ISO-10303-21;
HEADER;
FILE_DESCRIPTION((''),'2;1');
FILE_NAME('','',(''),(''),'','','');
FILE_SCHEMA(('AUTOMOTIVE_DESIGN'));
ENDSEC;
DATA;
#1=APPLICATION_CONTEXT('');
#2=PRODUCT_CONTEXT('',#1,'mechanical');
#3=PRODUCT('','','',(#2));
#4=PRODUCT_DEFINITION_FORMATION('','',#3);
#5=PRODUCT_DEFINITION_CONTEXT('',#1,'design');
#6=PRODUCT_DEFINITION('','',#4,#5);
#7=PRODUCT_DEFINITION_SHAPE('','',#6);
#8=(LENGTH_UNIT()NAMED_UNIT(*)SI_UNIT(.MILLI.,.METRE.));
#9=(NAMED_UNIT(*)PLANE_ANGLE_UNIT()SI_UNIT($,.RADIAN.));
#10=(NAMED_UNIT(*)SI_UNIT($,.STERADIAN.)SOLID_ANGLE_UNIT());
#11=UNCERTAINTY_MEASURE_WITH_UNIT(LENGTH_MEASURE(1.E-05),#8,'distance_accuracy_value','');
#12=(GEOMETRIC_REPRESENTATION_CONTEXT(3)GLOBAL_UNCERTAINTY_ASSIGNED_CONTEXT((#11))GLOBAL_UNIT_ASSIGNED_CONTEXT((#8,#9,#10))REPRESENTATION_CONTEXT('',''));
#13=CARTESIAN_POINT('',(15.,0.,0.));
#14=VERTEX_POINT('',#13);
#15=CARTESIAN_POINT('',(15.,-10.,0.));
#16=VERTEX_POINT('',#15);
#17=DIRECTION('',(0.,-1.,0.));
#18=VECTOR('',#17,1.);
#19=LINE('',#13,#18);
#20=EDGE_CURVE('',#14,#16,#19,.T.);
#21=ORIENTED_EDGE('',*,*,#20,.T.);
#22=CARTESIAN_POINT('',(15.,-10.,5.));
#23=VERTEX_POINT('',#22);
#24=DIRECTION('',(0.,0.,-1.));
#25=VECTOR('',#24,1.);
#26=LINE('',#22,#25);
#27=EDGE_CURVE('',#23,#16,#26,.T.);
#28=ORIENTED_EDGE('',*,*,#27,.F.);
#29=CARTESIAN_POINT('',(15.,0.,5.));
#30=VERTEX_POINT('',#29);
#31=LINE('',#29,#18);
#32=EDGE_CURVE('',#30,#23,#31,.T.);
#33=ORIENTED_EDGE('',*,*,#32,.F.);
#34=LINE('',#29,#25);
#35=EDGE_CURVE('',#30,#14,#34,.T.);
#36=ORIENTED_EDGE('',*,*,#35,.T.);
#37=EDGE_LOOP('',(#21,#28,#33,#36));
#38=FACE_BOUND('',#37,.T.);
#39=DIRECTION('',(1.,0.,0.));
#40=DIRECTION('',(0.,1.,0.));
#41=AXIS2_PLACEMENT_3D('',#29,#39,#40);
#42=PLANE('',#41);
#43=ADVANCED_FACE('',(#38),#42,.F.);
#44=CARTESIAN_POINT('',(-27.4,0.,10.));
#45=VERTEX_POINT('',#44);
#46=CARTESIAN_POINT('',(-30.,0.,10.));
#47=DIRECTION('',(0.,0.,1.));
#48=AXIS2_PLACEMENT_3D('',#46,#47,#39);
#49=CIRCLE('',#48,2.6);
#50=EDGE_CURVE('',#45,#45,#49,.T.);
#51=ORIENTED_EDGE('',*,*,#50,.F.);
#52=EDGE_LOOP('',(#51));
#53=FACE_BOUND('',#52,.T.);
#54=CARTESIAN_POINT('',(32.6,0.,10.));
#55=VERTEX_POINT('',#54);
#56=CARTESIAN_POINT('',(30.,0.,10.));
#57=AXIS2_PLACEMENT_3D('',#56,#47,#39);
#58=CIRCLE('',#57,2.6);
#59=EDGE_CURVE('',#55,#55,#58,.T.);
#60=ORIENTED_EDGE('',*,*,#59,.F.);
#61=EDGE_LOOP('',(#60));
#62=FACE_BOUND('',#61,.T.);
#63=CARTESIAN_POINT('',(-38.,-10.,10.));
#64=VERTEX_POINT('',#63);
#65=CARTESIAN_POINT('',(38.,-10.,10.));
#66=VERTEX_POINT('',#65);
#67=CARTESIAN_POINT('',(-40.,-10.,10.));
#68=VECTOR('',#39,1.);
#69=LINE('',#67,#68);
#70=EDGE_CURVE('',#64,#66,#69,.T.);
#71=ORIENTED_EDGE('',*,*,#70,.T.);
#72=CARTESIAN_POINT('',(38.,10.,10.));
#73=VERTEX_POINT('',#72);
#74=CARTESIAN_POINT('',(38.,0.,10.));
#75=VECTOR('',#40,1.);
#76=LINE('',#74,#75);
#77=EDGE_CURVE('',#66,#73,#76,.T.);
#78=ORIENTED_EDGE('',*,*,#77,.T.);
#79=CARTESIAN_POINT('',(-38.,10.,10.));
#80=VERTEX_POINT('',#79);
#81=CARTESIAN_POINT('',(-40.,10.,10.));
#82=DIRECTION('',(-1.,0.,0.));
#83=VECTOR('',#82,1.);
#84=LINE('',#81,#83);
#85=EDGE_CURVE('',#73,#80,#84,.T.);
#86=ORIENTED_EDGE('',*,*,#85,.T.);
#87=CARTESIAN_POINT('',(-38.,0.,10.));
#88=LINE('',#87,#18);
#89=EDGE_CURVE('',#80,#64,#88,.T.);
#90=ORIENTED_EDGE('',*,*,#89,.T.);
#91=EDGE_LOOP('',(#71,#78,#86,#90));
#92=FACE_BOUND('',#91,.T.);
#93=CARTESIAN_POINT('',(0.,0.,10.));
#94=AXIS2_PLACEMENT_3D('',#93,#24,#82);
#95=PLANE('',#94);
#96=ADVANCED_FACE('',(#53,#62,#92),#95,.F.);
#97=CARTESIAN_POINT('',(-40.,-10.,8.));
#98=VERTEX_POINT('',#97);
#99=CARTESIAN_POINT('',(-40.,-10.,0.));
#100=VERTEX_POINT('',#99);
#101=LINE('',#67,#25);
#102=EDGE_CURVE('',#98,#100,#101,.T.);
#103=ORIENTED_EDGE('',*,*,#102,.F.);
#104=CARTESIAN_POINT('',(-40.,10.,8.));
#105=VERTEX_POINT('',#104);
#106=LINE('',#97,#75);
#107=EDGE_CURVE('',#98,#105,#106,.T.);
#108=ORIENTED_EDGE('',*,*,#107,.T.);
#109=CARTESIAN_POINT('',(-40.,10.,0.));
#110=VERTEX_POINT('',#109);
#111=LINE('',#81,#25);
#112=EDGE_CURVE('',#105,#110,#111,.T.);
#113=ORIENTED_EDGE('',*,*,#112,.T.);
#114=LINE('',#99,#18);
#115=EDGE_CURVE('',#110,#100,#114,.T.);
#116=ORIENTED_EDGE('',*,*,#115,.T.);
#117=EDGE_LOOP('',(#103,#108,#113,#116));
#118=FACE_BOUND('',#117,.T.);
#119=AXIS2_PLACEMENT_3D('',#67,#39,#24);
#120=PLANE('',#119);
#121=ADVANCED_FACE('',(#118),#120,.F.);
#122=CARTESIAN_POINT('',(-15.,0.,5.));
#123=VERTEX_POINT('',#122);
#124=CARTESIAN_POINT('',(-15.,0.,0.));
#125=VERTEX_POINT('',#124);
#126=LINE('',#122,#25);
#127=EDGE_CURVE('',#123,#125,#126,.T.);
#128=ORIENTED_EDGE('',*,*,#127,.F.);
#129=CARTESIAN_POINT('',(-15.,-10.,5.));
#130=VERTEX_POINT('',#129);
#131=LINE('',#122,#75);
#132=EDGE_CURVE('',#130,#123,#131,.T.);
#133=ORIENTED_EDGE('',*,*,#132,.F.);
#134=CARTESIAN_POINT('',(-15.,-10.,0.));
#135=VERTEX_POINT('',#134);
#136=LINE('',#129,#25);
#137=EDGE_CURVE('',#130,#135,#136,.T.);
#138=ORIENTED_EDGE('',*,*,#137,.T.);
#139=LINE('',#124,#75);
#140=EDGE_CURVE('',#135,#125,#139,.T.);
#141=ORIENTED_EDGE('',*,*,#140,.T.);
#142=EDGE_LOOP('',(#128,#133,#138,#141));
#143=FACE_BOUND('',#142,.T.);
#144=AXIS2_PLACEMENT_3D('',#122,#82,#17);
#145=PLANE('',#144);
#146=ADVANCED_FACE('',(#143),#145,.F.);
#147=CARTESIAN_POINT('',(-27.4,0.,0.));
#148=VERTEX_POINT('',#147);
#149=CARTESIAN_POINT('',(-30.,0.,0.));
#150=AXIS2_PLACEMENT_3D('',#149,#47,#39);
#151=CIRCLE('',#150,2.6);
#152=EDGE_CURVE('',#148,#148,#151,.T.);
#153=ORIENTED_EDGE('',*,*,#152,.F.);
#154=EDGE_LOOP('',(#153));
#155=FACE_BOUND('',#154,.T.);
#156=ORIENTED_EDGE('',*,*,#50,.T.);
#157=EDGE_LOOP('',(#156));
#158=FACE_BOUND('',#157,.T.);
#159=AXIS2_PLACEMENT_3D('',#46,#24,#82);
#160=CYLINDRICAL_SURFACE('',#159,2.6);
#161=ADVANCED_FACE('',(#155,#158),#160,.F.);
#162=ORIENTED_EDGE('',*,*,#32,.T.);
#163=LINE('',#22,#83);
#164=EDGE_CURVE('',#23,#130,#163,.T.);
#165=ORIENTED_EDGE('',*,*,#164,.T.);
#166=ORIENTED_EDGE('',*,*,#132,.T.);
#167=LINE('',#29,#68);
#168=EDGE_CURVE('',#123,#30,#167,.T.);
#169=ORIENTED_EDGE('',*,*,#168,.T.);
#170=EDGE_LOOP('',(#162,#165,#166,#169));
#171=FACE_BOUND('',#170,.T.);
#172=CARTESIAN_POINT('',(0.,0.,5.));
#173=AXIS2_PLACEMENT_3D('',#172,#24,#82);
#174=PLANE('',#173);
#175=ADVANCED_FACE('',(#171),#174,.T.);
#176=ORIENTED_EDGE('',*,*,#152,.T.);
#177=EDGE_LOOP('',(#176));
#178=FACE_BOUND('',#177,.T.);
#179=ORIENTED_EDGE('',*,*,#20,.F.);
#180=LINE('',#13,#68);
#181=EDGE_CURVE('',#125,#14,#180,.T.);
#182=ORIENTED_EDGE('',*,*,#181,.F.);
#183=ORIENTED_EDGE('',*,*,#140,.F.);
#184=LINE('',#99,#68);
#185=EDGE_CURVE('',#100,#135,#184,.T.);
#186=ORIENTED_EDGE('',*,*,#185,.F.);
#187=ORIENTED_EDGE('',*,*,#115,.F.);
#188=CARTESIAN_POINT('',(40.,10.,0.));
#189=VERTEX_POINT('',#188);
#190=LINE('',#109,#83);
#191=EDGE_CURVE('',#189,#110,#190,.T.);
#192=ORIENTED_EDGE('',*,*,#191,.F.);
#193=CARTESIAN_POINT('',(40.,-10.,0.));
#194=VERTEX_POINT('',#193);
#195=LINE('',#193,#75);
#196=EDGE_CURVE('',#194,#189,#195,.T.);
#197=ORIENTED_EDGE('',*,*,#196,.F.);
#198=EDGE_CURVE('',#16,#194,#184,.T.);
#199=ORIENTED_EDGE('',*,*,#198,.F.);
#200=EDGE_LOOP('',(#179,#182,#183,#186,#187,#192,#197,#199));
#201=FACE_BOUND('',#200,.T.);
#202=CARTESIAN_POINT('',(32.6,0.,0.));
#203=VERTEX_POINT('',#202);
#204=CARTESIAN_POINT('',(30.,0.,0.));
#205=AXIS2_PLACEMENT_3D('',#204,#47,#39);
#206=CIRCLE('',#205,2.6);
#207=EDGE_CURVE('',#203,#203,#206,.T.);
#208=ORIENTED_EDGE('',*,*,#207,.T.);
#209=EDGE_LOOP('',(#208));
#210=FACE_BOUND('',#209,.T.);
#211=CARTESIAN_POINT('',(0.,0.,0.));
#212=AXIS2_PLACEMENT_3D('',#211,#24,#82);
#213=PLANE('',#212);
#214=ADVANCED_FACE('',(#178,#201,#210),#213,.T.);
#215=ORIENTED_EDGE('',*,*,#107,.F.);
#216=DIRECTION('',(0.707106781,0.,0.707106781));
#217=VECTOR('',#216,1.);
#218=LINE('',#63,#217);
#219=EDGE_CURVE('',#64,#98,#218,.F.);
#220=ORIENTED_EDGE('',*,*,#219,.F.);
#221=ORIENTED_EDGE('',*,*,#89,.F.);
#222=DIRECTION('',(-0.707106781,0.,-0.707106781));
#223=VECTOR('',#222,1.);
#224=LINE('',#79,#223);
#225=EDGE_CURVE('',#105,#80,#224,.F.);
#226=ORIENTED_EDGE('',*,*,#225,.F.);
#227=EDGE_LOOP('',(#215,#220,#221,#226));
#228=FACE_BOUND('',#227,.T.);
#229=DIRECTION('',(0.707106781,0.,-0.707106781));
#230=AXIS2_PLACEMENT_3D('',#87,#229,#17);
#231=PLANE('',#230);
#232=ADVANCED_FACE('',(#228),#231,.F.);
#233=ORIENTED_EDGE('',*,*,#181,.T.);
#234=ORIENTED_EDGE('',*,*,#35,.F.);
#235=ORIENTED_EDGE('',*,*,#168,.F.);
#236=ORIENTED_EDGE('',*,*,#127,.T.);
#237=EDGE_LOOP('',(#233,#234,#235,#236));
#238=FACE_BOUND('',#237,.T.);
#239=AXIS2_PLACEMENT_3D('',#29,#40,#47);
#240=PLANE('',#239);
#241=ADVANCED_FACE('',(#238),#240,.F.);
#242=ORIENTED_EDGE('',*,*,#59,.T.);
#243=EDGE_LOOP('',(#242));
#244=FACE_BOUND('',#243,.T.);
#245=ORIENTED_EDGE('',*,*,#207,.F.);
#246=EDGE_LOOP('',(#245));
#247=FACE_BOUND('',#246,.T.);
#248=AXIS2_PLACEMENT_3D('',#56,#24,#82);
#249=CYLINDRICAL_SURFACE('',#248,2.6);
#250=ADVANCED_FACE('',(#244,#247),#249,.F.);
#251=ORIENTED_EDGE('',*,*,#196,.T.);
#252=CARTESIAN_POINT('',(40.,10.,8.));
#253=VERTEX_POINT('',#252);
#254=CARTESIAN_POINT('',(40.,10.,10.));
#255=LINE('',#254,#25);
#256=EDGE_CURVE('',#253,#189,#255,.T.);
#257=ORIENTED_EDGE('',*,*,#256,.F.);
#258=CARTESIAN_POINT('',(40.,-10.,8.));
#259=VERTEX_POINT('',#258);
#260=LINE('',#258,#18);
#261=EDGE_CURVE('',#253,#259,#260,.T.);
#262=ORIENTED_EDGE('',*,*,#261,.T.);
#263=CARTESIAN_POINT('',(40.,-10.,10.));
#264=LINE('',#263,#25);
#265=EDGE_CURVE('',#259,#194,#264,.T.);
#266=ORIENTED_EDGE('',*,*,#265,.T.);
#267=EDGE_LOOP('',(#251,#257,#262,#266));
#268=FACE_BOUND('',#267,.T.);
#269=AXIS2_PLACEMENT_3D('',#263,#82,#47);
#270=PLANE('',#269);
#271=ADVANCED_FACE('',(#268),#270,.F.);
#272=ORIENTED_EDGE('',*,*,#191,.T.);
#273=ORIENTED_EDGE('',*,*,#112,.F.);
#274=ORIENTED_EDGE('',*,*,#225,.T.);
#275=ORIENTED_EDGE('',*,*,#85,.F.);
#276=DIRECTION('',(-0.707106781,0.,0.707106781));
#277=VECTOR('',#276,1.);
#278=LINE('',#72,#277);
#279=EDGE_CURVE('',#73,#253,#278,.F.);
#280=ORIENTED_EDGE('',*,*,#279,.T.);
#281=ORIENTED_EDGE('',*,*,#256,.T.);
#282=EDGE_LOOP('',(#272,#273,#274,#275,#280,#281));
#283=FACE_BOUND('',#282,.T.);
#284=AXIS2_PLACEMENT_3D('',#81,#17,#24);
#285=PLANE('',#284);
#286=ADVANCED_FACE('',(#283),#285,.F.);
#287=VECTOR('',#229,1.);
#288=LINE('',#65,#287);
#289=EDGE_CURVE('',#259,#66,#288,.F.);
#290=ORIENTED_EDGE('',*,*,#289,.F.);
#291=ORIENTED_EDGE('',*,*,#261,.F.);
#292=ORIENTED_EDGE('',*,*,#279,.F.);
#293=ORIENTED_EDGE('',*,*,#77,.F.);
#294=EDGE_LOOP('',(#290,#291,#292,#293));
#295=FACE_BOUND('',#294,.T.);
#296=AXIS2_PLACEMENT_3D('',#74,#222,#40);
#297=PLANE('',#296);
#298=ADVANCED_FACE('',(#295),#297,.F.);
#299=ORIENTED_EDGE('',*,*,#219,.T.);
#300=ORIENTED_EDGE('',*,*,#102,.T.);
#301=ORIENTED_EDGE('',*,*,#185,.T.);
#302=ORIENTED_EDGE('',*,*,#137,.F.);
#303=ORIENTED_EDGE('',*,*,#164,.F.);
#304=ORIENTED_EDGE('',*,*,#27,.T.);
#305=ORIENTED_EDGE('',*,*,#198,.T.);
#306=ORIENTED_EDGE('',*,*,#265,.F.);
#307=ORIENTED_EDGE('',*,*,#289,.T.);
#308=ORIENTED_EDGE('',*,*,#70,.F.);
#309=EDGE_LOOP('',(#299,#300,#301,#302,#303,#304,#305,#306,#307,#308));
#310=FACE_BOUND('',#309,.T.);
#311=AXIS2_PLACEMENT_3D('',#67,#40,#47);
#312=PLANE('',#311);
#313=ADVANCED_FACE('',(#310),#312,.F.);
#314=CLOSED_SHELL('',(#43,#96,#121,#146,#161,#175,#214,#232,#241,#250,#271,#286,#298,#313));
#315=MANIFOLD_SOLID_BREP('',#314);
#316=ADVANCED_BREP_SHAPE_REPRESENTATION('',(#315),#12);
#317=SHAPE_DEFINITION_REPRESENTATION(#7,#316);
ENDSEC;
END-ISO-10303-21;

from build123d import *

# Parameters (mm, degrees)
SKETCH_2_W          = 80
SKETCH_2_H          = 20
SKETCH_2_R          = 2.6
EXTRUDE_1_DEPTH     = 10
SKETCH_3_W          = 30
SKETCH_3_H          = 10
CUT_EXTRUDE_1_DEPTH = 5
CHAMFER_1_SIZE      = 2


with BuildPart() as part:
    # Эскиз2 → Бобышка-Вытянуть1 (new body)
    with BuildSketch(Plane.XY):
        Rectangle(SKETCH_2_W, SKETCH_2_H)
        with Locations((-30, 0)):
            Circle(SKETCH_2_R, mode=Mode.SUBTRACT)
        with Locations((30, 0)):
            Circle(SKETCH_2_R, mode=Mode.SUBTRACT)
    extrude(amount=EXTRUDE_1_DEPTH)

    # Эскиз3 → Вырез-Вытянуть1 (cut)
    with BuildSketch(Plane(origin=(0, 0, 0), x_dir=(-1, 0, 0), z_dir=(0, 0, -1))):
        with Locations((0, -5)):
            Rectangle(SKETCH_3_W, SKETCH_3_H)
    extrude(amount=-CUT_EXTRUDE_1_DEPTH, mode=Mode.SUBTRACT)

    # Фаска1
    chamfer_1_edges = [part.edges().sort_by_distance(p)[0] for p in [
        (-40, 0, 10),
        (40, 0, 10),
    ]]
    chamfer(chamfer_1_edges, length=CHAMFER_1_SIZE)


solid = part.part
